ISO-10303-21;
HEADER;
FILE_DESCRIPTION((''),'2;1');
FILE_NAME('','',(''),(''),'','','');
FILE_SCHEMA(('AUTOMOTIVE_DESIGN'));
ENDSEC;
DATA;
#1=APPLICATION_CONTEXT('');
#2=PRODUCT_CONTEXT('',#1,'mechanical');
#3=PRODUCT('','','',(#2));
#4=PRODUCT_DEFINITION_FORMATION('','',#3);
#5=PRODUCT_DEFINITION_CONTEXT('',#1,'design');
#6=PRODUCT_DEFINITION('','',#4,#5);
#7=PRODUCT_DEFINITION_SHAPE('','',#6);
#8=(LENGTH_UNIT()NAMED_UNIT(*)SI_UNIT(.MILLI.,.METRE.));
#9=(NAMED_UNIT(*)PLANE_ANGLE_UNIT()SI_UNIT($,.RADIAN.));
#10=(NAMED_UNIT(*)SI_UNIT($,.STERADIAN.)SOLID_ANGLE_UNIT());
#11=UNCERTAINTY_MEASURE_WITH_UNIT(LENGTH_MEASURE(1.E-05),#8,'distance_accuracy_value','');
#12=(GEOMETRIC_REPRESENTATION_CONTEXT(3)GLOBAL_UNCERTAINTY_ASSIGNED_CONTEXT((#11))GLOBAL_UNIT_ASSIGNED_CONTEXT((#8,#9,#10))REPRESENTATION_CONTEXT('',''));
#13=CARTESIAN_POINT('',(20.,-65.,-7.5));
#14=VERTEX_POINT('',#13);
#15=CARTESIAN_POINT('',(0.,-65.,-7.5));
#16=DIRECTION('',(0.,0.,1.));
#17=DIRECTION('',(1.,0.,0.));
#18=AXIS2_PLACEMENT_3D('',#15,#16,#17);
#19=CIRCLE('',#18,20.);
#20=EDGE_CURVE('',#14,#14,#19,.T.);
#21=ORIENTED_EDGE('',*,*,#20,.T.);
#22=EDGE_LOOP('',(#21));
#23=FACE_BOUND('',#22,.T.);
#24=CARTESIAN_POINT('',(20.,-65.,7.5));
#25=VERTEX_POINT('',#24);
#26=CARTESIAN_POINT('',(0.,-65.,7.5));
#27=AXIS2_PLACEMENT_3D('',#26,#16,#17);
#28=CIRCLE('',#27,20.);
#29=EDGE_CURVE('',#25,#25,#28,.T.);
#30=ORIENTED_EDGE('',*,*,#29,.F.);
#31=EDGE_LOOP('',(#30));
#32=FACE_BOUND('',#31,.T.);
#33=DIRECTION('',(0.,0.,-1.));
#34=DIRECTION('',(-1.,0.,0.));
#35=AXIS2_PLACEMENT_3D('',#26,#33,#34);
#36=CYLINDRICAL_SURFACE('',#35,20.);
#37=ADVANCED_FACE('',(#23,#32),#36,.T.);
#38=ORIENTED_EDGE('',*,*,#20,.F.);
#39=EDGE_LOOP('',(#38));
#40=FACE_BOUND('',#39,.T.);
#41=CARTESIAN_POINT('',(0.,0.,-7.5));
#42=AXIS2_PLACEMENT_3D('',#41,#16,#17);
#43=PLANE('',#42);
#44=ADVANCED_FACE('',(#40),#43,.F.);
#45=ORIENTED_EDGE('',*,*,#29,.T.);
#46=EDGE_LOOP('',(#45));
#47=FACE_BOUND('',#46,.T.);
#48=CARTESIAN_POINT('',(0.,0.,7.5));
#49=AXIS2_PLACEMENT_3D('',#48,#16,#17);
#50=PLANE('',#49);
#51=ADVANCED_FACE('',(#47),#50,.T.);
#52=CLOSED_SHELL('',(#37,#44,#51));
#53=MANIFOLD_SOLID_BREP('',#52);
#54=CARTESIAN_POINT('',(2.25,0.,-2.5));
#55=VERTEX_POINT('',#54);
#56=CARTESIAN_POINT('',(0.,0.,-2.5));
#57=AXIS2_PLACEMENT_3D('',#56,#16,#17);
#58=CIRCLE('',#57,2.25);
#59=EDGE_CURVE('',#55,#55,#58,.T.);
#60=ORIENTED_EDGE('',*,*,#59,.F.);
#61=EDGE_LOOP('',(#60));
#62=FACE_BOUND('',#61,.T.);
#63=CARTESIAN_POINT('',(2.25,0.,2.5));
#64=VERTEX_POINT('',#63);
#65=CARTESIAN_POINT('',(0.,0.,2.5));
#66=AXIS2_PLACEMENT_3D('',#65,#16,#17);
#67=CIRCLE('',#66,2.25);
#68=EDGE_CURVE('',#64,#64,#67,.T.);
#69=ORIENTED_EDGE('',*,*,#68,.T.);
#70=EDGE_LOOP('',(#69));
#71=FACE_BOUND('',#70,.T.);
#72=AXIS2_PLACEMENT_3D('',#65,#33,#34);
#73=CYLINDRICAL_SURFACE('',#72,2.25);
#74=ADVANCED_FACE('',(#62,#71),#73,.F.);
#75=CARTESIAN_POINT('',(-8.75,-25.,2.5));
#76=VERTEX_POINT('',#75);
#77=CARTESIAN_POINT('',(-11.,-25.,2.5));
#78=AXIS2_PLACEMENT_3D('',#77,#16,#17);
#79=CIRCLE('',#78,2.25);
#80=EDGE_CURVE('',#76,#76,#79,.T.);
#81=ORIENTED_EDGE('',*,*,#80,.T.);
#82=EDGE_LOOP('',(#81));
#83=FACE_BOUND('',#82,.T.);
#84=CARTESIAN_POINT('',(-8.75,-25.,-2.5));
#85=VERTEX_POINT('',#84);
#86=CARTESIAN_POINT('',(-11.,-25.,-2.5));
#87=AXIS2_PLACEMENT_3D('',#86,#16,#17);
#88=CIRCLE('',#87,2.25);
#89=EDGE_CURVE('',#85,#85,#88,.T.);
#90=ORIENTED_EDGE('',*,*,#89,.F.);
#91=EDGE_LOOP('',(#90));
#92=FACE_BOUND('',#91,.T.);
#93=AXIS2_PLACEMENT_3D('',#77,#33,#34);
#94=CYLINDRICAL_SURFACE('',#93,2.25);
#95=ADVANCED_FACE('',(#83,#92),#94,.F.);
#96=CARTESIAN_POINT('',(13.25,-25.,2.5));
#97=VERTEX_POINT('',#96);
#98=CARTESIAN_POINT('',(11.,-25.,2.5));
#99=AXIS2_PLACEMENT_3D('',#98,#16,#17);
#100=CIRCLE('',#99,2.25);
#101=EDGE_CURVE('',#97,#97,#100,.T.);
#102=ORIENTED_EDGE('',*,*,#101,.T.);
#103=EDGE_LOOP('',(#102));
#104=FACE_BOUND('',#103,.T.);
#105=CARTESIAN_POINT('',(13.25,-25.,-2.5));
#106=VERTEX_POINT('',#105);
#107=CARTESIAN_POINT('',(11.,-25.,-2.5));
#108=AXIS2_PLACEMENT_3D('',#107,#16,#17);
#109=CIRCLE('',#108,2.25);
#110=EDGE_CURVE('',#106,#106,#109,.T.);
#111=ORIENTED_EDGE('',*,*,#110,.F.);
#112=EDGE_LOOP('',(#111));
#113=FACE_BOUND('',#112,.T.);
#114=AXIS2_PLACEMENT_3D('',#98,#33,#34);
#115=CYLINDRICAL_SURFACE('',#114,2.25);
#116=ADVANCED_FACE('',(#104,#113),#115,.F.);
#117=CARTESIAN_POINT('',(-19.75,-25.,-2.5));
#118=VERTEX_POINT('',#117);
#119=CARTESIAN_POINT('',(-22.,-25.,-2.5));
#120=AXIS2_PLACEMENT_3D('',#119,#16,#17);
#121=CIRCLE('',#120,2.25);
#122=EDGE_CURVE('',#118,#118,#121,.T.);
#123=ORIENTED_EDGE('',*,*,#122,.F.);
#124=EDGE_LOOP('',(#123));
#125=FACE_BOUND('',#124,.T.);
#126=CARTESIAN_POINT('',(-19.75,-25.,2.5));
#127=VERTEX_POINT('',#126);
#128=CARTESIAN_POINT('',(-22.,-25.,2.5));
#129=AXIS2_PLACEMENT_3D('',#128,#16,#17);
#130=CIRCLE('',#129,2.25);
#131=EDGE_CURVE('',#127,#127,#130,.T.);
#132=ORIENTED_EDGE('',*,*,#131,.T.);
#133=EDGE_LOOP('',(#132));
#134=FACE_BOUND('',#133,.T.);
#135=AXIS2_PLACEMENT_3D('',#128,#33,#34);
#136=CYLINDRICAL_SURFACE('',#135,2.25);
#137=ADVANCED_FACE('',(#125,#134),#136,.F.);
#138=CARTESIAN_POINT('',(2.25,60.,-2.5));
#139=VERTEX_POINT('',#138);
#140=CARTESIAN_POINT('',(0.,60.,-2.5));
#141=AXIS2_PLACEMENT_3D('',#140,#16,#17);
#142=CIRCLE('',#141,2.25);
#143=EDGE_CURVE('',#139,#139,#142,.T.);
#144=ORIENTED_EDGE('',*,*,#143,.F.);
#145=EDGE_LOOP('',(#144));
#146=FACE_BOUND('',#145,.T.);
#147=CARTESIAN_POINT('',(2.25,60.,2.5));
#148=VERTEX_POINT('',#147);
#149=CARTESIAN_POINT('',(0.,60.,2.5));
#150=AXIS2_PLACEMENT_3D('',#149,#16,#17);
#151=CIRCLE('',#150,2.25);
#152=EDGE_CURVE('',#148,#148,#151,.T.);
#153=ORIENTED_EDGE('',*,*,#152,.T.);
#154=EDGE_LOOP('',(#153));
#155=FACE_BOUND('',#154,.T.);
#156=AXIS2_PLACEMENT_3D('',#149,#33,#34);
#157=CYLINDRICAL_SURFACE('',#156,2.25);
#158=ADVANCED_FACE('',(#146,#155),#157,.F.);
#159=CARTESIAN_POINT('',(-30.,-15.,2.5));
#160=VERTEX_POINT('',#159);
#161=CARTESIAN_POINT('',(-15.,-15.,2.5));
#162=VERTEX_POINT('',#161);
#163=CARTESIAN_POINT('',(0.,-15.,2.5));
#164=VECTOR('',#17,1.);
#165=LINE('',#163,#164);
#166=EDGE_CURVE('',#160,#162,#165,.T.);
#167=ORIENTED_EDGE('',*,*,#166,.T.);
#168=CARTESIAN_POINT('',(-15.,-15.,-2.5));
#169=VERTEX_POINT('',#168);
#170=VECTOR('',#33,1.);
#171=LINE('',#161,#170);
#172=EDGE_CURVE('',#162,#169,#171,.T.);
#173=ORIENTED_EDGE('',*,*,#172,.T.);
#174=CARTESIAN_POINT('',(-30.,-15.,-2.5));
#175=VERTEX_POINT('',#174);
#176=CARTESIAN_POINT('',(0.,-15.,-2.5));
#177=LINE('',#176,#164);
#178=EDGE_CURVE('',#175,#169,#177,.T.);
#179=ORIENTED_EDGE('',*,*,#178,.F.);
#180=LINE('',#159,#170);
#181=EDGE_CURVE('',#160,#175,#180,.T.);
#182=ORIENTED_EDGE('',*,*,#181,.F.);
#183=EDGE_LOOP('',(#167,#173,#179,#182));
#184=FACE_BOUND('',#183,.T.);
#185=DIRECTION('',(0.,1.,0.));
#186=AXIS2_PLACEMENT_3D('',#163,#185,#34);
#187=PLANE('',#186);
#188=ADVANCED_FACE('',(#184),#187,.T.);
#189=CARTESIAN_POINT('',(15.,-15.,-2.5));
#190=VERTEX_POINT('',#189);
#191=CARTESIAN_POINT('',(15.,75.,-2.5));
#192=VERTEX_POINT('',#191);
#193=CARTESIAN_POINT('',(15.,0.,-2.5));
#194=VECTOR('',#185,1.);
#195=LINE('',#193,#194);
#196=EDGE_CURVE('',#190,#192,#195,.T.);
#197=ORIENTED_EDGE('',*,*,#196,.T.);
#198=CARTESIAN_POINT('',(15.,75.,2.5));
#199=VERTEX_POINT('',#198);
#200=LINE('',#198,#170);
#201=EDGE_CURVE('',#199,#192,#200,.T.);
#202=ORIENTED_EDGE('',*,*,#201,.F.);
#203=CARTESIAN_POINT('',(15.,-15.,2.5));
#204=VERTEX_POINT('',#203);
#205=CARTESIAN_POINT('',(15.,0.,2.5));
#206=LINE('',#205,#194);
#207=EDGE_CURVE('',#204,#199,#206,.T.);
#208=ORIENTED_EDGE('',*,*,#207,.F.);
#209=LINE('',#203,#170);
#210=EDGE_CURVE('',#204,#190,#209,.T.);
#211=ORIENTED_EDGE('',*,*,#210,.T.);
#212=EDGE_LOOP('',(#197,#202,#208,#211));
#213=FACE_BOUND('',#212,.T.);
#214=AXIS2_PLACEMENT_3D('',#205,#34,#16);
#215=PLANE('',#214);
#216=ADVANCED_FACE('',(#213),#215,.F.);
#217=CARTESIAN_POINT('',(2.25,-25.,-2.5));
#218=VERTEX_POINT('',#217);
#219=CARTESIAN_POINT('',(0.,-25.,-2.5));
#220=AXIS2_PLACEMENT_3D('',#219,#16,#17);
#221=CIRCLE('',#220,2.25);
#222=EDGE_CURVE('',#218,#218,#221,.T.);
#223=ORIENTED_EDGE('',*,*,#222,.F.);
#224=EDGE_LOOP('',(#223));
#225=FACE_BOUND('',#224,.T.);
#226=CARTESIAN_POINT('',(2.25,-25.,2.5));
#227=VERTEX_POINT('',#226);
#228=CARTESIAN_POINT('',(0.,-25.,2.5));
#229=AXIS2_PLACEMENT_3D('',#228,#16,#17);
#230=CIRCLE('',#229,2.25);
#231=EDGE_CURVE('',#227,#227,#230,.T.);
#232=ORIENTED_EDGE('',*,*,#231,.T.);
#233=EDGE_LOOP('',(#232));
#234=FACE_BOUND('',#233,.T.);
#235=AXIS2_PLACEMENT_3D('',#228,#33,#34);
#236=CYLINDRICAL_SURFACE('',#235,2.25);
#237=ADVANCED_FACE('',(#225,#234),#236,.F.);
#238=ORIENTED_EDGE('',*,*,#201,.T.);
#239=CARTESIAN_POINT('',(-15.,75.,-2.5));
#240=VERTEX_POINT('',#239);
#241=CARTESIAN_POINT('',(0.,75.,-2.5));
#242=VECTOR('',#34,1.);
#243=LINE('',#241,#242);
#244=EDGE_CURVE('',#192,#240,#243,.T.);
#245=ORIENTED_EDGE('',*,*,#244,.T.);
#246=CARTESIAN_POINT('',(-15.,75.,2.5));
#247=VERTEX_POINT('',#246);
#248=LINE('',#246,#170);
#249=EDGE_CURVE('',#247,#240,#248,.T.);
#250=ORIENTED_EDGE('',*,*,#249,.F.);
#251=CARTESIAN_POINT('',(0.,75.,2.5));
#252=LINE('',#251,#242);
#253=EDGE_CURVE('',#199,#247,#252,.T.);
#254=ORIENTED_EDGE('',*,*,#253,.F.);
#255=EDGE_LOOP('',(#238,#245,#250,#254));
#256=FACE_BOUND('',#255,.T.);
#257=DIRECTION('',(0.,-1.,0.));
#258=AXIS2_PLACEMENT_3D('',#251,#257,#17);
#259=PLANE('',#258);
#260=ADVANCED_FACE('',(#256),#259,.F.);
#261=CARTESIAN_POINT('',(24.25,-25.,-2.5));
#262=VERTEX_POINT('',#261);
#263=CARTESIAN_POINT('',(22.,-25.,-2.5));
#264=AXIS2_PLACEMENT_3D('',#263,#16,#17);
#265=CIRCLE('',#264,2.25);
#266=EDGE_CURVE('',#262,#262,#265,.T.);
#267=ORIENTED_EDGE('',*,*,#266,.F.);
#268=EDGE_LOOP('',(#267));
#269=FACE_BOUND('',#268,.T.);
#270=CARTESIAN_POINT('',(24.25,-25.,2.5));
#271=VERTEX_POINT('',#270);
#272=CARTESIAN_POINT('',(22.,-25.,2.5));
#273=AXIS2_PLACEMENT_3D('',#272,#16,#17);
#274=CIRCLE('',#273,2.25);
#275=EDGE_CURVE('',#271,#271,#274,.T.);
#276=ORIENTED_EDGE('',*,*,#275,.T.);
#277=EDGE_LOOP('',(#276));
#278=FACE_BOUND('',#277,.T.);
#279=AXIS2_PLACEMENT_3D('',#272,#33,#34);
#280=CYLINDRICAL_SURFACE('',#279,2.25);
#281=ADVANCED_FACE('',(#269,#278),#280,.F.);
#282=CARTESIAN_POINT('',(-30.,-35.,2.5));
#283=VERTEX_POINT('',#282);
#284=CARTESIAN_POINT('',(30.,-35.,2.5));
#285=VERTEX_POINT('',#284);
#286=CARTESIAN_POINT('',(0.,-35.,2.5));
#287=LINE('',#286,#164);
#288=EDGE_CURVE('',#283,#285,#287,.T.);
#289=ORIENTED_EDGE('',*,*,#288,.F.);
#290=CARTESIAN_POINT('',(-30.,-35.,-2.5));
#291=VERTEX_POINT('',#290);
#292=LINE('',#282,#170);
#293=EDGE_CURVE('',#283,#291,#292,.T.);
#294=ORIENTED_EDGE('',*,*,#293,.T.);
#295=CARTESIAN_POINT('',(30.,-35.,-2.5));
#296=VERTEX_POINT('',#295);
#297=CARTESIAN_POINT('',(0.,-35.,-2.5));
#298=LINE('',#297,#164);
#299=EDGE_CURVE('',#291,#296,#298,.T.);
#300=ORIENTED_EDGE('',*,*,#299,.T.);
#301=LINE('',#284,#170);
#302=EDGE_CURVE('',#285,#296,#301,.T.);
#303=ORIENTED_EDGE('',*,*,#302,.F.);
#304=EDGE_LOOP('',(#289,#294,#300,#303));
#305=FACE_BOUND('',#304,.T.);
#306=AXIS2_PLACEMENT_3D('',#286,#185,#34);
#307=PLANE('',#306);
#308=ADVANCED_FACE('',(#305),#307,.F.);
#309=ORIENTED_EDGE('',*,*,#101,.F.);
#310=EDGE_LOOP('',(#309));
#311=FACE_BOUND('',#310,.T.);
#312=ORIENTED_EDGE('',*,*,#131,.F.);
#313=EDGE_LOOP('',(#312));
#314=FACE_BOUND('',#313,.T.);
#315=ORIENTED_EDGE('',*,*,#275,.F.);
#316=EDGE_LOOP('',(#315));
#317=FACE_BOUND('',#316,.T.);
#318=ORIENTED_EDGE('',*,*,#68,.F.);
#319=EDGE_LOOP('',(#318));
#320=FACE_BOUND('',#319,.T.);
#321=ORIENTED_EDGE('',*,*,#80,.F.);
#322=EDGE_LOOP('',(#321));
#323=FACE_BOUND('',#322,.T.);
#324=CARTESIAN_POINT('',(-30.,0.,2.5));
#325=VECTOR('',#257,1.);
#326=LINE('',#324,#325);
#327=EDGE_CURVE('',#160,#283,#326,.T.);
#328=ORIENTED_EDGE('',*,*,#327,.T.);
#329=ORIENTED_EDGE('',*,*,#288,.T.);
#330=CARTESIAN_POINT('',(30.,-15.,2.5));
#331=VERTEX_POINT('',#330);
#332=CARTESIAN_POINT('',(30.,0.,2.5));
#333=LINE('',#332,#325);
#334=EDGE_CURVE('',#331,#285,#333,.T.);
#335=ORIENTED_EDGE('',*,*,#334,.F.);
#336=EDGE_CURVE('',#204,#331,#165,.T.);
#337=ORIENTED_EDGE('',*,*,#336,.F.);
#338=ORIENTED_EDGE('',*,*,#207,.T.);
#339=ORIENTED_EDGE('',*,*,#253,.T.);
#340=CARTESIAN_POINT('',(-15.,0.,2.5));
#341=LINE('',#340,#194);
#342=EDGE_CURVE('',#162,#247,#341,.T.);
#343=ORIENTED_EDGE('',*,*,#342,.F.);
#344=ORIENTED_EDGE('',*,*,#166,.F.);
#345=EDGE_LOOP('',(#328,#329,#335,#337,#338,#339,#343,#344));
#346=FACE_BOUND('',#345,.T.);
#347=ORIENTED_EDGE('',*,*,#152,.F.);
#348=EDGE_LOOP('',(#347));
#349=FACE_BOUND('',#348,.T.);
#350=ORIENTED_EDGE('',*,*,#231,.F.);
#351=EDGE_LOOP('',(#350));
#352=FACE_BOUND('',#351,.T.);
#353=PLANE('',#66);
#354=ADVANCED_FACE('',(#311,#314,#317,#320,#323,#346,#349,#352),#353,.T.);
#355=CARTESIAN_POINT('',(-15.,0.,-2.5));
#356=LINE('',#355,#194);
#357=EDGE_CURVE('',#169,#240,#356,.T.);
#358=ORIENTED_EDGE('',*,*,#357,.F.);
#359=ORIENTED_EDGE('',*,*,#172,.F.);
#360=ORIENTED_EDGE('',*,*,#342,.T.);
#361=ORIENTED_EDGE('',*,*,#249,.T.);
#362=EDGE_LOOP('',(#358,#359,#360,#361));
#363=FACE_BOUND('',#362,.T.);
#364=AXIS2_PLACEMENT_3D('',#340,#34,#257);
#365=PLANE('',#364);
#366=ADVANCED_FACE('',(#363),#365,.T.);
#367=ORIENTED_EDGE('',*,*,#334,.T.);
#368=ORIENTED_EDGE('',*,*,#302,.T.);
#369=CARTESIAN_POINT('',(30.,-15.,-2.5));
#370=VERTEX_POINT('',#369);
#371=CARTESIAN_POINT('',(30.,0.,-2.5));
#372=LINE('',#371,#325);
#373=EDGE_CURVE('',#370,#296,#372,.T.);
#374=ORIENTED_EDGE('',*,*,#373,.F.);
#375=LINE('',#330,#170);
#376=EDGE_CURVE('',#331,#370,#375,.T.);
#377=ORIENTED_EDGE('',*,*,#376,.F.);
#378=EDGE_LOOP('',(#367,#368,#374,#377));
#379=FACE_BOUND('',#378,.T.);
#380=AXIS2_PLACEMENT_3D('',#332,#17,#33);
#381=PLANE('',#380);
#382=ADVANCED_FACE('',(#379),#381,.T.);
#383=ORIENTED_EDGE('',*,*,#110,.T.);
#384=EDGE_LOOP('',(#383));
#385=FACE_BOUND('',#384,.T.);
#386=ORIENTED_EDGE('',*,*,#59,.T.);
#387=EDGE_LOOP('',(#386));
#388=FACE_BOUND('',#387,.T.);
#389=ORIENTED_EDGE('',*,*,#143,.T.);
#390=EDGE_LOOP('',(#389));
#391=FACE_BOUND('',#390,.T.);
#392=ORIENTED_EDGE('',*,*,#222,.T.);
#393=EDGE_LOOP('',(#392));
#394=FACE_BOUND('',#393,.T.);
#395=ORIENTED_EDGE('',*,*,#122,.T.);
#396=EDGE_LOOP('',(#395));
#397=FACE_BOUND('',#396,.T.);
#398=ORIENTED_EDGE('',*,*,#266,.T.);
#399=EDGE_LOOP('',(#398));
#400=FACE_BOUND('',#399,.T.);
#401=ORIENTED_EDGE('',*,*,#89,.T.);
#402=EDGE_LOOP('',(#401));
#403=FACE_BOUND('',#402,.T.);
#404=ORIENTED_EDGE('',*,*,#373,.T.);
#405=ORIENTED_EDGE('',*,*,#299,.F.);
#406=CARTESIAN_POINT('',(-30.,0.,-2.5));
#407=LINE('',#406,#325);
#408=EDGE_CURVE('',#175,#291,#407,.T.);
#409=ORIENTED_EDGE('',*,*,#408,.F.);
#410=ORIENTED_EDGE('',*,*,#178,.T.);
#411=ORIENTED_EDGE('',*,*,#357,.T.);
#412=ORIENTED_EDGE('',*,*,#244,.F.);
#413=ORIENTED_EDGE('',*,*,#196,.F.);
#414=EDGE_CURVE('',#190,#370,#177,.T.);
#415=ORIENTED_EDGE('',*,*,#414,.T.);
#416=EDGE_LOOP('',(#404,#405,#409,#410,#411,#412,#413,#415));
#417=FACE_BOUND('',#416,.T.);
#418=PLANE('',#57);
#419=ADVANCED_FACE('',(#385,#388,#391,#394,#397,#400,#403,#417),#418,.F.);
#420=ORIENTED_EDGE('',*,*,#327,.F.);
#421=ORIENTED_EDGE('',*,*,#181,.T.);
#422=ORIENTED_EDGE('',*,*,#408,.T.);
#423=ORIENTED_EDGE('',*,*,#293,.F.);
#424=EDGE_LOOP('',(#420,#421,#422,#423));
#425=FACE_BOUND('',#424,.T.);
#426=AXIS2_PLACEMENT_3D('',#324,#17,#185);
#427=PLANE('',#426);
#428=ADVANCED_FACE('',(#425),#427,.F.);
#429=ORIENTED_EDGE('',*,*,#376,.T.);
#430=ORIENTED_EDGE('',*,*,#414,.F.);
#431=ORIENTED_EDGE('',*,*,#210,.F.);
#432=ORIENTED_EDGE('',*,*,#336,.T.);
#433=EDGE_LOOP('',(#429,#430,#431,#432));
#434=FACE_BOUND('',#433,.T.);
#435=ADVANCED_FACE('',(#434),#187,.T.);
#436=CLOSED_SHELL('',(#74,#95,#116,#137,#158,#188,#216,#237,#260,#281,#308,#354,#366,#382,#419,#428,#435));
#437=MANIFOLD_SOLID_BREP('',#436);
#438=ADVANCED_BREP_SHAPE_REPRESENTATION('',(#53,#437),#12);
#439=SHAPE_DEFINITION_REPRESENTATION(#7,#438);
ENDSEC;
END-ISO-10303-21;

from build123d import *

# Parameters (mm, degrees)
SKETCH1_R           = 2.25
BOSS_EXTRUDE1_DEPTH = 2.5
SKETCH1_3_R         = 20
BOSS_EXTRUDE2_DEPTH = 7.5


with BuildPart() as part:
    # Sketch1 → Boss-Extrude1 (new, symmetric)
    with BuildSketch(Plane.XY):
        Polygon((30, -15), (15, -15), (15, 75), (-15, 75), (-15, -15), (-30, -15), (-30, -35), (30, -35), align=None)
        with Locations((-22, -25)):
            Circle(SKETCH1_R, mode=Mode.SUBTRACT)
        with Locations((-11, -25)):
            Circle(SKETCH1_R, mode=Mode.SUBTRACT)
        with Locations((0, -25)):
            Circle(SKETCH1_R, mode=Mode.SUBTRACT)
        with Locations((11, -25)):
            Circle(SKETCH1_R, mode=Mode.SUBTRACT)
        with Locations((22, -25)):
            Circle(SKETCH1_R, mode=Mode.SUBTRACT)
        with Locations((0, 60)):
            Circle(SKETCH1_R, mode=Mode.SUBTRACT)
        Circle(SKETCH1_R, mode=Mode.SUBTRACT)
    extrude(amount=BOSS_EXTRUDE1_DEPTH, both=True)


with BuildPart() as body_2:
    # Sketch1<3> → Boss-Extrude2 (new, symmetric)
    with BuildSketch(Plane.XY):
        with Locations((0, -65)):
            Circle(SKETCH1_3_R)
    extrude(amount=BOSS_EXTRUDE2_DEPTH, both=True)


solid = Compound([part.part, body_2.part])
